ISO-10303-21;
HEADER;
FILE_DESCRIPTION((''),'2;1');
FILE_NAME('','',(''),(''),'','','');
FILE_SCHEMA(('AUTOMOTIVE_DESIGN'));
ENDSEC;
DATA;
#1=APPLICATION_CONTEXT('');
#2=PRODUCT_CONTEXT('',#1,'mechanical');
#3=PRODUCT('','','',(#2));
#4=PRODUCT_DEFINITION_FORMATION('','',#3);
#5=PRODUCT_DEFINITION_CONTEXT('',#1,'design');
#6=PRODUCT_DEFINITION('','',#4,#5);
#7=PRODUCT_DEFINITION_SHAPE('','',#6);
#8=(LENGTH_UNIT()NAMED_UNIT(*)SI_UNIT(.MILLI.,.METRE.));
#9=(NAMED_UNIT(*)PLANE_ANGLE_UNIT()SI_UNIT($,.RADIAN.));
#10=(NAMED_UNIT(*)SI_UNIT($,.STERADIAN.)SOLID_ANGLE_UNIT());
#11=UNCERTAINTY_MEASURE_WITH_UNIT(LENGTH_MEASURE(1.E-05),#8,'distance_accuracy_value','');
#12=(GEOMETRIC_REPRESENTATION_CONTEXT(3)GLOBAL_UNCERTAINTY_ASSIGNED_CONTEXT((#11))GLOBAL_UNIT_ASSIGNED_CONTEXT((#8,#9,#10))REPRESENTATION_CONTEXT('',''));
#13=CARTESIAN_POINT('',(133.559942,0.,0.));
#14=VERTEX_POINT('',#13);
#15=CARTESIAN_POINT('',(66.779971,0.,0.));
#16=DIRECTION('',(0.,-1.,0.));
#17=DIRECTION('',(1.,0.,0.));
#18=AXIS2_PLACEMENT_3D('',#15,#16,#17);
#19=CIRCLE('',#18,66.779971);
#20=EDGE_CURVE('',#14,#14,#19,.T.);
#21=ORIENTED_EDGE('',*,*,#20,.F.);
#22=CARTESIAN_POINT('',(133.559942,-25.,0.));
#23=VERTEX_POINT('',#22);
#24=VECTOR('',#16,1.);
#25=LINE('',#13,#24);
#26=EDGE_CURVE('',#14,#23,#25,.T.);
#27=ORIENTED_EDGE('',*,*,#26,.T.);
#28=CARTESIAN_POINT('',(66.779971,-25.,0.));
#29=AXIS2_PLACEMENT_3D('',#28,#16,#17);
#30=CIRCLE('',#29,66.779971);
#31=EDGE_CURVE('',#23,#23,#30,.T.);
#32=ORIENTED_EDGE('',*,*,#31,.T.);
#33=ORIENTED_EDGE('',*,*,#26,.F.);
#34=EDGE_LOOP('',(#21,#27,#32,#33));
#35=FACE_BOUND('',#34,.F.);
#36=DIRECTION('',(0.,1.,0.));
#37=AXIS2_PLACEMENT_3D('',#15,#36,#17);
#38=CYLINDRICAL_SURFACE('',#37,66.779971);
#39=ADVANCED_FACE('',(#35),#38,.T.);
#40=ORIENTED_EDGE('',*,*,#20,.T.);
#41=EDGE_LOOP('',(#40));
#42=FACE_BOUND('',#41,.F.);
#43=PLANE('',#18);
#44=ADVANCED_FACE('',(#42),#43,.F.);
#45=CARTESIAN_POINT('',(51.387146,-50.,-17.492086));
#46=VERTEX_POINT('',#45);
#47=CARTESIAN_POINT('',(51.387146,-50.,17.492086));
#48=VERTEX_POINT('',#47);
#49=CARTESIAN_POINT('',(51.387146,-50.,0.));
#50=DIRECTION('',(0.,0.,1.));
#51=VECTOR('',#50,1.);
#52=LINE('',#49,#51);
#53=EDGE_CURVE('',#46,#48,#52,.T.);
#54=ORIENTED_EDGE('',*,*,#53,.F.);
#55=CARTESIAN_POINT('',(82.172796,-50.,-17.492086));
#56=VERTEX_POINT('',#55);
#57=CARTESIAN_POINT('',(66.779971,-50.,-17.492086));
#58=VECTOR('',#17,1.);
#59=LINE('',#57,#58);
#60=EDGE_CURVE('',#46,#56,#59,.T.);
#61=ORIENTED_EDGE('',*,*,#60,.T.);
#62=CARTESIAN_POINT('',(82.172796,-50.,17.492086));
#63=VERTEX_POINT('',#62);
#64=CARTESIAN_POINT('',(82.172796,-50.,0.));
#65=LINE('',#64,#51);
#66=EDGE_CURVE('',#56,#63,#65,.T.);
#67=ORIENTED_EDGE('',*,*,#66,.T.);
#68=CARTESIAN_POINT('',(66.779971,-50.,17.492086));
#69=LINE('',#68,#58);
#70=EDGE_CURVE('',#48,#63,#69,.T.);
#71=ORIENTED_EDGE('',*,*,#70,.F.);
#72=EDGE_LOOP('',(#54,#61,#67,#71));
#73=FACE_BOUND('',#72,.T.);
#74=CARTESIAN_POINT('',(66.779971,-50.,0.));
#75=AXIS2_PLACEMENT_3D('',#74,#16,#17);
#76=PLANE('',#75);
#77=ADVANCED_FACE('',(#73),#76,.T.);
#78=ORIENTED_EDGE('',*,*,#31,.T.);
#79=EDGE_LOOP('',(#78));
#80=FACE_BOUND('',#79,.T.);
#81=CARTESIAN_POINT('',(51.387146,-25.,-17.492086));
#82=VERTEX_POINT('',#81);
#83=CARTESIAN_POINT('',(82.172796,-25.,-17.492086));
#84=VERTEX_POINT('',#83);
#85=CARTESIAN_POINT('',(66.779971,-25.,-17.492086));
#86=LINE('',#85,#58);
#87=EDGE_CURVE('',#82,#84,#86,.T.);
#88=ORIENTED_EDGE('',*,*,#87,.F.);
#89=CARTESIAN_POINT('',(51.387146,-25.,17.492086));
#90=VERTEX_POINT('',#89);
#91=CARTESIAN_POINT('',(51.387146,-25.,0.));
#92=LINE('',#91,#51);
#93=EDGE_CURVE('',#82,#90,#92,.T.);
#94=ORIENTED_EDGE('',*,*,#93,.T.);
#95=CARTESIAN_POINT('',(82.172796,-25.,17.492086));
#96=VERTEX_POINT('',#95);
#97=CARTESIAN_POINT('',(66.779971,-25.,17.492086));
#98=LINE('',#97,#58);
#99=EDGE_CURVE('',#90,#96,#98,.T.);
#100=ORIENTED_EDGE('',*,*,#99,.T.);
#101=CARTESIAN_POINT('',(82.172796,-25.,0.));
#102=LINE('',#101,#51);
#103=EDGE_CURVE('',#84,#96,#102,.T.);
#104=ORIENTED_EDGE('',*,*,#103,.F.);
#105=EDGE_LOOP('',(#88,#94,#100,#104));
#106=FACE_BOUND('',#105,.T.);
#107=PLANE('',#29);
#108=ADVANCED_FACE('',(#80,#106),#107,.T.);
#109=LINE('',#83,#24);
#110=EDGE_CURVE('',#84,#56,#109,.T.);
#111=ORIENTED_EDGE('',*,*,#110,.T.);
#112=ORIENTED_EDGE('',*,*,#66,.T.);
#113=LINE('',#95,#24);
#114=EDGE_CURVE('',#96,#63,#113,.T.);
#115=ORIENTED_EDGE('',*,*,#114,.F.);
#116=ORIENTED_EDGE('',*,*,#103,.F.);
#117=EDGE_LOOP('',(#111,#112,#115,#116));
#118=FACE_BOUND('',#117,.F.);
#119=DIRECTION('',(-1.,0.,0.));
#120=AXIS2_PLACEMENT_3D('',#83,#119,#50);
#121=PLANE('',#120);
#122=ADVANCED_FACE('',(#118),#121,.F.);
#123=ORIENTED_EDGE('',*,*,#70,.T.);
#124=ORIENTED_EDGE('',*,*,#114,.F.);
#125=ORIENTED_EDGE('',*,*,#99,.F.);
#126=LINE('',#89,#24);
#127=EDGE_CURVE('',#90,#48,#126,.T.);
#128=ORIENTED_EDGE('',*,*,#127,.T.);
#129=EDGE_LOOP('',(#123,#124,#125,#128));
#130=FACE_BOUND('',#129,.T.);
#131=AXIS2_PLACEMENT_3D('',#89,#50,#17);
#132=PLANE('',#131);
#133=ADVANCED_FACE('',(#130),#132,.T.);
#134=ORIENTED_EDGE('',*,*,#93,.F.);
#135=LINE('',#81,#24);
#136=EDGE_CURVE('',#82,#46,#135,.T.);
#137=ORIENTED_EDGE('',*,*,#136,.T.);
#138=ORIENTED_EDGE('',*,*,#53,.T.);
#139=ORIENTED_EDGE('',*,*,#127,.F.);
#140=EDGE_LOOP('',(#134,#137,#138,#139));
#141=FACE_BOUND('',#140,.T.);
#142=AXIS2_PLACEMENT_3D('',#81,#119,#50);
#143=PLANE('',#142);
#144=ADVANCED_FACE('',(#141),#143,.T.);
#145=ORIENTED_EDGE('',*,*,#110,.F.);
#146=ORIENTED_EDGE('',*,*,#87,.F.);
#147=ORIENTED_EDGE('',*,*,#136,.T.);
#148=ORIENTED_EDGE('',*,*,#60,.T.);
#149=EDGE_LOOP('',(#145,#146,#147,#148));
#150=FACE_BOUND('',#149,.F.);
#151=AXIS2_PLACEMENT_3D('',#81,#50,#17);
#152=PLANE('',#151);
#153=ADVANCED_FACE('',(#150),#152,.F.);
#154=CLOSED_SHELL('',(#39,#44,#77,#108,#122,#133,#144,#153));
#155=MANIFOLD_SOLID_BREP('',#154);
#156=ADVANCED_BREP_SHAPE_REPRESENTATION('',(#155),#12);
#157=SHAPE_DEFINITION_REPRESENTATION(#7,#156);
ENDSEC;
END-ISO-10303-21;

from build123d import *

# Parameters (mm, degrees)
F0_R     = 66.779971
F1_DEPTH = 25
F2_W     = 30.78565
F2_H     = 34.984172
F3_DEPTH = 25


with BuildPart() as f1:
    # F0 (on Front) → F1 (new body)
    with BuildSketch(Plane.XZ):
        with Locations((66.779971, 0)):
            Circle(F0_R)
    extrude(amount=F1_DEPTH)

    # F2 (on face) → F3 (join)
    with BuildSketch(Plane.XZ.offset(25)):
        with Locations((66.779971, 0)):
            Rectangle(F2_W, F2_H)
    extrude(amount=F3_DEPTH)


solid = f1.part
